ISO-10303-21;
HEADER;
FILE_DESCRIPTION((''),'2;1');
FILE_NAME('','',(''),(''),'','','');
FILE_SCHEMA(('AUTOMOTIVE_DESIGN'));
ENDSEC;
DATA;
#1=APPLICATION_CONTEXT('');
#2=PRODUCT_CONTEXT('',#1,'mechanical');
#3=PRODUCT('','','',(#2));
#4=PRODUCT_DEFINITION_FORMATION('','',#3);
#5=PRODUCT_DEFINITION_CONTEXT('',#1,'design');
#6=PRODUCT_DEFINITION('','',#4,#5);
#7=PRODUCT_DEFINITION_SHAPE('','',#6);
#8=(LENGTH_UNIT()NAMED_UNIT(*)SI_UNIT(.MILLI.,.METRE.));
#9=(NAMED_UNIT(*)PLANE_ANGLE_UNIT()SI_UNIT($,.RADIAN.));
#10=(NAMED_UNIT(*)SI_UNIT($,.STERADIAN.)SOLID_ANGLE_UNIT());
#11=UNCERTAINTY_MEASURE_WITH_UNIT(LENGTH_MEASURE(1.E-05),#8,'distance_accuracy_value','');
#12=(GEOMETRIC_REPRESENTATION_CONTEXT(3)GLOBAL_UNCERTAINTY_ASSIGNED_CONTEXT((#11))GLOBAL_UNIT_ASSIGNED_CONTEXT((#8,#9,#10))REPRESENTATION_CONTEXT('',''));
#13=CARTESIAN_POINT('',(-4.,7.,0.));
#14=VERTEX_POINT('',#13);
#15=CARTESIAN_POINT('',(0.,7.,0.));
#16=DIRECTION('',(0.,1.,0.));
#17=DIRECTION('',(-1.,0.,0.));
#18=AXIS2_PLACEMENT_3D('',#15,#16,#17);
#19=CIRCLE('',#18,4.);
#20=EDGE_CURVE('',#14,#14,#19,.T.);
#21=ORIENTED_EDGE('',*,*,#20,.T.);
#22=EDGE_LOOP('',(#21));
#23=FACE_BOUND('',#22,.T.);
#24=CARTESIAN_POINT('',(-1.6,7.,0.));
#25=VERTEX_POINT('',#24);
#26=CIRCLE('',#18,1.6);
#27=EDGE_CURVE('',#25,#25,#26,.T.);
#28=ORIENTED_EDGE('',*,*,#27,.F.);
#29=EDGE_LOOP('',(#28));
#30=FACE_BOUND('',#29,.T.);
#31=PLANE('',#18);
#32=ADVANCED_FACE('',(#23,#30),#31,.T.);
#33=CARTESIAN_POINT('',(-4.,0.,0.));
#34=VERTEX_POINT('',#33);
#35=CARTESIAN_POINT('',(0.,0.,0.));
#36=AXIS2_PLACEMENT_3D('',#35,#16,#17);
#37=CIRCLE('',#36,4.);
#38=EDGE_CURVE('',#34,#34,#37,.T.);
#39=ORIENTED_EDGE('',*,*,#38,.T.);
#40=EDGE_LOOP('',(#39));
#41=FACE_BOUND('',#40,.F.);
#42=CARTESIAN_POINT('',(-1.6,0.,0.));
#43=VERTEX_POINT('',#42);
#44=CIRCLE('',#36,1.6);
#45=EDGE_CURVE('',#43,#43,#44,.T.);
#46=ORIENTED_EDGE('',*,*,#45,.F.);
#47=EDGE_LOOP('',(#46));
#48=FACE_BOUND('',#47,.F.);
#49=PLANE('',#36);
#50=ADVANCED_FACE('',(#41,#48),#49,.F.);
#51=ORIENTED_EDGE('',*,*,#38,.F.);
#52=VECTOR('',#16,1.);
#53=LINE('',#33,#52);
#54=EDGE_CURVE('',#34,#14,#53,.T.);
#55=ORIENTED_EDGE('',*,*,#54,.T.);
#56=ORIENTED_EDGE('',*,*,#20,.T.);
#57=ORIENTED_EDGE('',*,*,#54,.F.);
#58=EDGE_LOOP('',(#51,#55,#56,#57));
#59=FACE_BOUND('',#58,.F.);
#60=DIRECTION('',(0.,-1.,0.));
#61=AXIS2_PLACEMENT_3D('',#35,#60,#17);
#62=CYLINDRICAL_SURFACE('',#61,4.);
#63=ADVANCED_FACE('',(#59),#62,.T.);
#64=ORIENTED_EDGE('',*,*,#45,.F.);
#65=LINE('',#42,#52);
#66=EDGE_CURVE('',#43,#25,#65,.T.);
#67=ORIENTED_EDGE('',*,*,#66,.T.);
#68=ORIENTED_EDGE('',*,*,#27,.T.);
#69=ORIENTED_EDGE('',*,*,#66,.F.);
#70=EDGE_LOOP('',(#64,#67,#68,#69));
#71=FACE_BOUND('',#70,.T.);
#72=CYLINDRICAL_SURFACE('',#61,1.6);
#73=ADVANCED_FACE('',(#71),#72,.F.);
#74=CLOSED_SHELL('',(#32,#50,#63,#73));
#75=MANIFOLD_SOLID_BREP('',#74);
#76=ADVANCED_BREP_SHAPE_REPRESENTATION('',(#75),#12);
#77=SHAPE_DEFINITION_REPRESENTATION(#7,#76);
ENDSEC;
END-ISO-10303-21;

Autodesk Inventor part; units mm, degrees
ref_plane "YZ Plane" through (0, 0, 0) normal (1, 0, 0) x (0, 1, 0)
ref_plane "XZ Plane" through (0, 0, 0) normal (0, 1, 0) x (-1, 0, 0)
ref_plane "XY Plane" through (0, 0, 0) normal (0, 0, 1) x (1, 0, 0)
sketch "Sketch1" plane through (0, 0, 0) normal (0, 1, 0) x (-1, 0, 0)
  circle A0 centre (0, 0) radius 1.6
  circle A1 centre (0, 0) radius 4
  dimension "d0" = 3.2
  dimension "d1" = 8
extrude "Extrusion1" add sketch "Sketch1" along normal blind 7
properties part number "M3_spacer_7mm"
